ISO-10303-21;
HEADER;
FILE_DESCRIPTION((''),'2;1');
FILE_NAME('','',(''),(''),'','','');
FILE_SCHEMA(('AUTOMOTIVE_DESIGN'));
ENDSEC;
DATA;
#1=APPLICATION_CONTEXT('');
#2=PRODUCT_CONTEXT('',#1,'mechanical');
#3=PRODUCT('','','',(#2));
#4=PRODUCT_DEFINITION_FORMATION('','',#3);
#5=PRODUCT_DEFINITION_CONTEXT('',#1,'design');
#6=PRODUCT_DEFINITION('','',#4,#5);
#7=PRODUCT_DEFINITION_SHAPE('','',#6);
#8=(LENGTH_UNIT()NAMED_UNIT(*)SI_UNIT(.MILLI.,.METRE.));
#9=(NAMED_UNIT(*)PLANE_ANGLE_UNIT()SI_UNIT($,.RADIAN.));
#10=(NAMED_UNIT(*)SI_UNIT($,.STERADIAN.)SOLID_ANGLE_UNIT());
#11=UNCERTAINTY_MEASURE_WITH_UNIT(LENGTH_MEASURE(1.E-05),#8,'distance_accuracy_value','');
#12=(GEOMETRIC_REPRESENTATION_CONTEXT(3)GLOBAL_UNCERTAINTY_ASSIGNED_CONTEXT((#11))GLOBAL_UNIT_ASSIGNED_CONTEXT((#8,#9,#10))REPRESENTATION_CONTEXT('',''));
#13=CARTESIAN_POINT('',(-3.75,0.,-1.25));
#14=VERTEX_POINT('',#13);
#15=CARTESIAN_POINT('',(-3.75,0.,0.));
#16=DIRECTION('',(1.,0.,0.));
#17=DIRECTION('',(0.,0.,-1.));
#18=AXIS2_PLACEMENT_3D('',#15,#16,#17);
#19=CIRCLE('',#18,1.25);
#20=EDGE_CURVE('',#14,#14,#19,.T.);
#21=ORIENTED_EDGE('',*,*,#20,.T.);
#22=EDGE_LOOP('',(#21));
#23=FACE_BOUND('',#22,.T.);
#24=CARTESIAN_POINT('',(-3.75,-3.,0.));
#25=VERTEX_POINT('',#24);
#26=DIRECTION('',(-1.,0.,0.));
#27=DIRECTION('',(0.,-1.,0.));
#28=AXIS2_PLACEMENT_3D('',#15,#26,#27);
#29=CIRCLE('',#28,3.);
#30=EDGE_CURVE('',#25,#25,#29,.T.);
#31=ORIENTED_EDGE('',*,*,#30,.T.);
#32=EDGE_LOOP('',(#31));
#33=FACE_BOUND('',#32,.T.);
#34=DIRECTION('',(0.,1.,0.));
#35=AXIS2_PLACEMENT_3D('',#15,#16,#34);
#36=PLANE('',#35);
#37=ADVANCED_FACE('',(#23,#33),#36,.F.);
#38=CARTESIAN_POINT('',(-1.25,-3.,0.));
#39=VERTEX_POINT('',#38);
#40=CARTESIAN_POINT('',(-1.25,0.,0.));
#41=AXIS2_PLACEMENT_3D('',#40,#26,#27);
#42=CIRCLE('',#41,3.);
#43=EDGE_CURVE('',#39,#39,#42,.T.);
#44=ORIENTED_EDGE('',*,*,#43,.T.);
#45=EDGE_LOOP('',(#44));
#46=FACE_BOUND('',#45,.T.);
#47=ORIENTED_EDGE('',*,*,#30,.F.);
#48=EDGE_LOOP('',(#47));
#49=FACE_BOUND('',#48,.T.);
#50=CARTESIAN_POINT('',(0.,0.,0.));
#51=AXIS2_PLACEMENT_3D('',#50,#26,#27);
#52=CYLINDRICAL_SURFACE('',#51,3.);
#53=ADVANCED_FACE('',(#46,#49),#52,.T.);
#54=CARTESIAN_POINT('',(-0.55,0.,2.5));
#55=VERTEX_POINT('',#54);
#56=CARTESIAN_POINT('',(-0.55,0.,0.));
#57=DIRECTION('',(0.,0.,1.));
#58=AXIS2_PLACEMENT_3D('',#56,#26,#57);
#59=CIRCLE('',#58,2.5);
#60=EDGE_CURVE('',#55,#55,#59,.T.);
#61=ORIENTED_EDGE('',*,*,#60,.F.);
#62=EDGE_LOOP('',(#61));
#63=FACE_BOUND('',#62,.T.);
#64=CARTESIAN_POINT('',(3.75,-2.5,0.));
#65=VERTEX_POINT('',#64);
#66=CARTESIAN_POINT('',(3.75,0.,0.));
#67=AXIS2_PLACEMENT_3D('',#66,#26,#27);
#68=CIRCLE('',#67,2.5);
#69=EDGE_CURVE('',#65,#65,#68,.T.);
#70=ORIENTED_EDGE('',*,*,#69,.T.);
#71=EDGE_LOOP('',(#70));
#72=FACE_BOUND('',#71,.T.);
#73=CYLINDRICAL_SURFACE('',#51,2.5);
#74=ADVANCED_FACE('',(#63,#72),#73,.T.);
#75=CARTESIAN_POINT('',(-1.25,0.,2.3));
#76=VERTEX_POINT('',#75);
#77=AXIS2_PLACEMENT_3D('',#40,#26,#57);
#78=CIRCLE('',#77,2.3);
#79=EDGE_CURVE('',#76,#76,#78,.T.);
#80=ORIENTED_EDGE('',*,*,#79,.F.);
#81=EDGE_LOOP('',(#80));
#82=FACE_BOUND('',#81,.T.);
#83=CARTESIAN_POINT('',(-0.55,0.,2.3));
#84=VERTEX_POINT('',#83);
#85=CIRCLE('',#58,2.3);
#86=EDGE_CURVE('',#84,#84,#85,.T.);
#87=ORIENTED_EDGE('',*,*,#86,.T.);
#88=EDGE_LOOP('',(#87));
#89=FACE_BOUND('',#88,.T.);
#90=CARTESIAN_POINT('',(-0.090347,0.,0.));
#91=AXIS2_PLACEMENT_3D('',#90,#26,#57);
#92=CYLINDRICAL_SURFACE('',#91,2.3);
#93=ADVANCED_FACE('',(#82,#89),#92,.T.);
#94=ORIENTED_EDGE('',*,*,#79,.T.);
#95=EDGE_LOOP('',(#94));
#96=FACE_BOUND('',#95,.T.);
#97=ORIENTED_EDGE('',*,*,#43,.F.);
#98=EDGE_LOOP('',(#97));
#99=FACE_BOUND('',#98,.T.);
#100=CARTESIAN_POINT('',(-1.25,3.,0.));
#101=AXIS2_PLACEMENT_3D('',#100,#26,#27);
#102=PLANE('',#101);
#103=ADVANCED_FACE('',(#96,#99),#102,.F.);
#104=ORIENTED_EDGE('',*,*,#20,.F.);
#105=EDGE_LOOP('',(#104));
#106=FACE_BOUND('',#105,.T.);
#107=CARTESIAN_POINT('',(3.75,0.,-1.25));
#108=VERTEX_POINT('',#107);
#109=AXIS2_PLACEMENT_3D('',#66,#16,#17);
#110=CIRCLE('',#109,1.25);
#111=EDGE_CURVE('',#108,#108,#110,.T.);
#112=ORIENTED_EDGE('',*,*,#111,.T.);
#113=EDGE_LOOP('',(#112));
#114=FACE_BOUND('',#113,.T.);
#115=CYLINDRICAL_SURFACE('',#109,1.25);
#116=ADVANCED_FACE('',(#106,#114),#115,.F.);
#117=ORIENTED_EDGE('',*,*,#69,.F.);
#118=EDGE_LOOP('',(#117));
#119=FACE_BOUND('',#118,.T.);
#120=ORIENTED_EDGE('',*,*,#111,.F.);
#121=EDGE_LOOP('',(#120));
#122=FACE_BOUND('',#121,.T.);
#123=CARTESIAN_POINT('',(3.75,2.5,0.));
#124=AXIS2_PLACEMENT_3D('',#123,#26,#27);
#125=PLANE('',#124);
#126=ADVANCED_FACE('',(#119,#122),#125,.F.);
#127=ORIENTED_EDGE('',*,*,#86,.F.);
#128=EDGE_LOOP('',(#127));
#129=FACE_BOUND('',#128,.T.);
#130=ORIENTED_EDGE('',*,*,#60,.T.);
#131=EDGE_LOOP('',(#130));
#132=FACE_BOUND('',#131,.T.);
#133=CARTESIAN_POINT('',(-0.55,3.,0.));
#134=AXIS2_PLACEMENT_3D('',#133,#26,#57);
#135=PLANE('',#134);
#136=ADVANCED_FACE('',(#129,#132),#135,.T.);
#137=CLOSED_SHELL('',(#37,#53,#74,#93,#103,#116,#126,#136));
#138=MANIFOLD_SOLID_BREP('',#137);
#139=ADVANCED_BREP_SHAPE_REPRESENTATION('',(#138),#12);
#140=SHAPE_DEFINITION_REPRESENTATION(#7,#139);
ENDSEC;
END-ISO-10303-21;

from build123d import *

# Parameters (mm, degrees)
TROU_TARAUD_M31_D = 2.5
SKETCH4_W         = 0.7
SKETCH4_H         = 0.7


with BuildPart() as part:
    # Sketch1 → Revolve1 (revolve)
    with BuildSketch(Plane.XY):
        Polygon((-3.75, 0), (-3.75, 3), (-1.25, 3), (-1.25, 2.5), (3.75, 2.5), (3.75, 0), align=None)
    revolve(axis=Axis((0, 0, 0), (1, 0, 0)))

    # Trou taraudé M31 (through all)
    with Locations(Plane(origin=(3.75, 0, 0), x_dir=(0, 0, -1), z_dir=(1, 0, 0))):
        with Locations((0, 0)):
            Hole(TROU_TARAUD_M31_D / 2)

    # Sketch4 → Cut-Revolve1 (revolve, cut)
    with BuildSketch(Plane.XY):
        with Locations((-0.9, 2.65)):
            Rectangle(SKETCH4_W, SKETCH4_H)
    revolve(axis=Axis((-0.090346983, 0, 0), (1, 0, 0)), mode=Mode.SUBTRACT)


solid = part.part
